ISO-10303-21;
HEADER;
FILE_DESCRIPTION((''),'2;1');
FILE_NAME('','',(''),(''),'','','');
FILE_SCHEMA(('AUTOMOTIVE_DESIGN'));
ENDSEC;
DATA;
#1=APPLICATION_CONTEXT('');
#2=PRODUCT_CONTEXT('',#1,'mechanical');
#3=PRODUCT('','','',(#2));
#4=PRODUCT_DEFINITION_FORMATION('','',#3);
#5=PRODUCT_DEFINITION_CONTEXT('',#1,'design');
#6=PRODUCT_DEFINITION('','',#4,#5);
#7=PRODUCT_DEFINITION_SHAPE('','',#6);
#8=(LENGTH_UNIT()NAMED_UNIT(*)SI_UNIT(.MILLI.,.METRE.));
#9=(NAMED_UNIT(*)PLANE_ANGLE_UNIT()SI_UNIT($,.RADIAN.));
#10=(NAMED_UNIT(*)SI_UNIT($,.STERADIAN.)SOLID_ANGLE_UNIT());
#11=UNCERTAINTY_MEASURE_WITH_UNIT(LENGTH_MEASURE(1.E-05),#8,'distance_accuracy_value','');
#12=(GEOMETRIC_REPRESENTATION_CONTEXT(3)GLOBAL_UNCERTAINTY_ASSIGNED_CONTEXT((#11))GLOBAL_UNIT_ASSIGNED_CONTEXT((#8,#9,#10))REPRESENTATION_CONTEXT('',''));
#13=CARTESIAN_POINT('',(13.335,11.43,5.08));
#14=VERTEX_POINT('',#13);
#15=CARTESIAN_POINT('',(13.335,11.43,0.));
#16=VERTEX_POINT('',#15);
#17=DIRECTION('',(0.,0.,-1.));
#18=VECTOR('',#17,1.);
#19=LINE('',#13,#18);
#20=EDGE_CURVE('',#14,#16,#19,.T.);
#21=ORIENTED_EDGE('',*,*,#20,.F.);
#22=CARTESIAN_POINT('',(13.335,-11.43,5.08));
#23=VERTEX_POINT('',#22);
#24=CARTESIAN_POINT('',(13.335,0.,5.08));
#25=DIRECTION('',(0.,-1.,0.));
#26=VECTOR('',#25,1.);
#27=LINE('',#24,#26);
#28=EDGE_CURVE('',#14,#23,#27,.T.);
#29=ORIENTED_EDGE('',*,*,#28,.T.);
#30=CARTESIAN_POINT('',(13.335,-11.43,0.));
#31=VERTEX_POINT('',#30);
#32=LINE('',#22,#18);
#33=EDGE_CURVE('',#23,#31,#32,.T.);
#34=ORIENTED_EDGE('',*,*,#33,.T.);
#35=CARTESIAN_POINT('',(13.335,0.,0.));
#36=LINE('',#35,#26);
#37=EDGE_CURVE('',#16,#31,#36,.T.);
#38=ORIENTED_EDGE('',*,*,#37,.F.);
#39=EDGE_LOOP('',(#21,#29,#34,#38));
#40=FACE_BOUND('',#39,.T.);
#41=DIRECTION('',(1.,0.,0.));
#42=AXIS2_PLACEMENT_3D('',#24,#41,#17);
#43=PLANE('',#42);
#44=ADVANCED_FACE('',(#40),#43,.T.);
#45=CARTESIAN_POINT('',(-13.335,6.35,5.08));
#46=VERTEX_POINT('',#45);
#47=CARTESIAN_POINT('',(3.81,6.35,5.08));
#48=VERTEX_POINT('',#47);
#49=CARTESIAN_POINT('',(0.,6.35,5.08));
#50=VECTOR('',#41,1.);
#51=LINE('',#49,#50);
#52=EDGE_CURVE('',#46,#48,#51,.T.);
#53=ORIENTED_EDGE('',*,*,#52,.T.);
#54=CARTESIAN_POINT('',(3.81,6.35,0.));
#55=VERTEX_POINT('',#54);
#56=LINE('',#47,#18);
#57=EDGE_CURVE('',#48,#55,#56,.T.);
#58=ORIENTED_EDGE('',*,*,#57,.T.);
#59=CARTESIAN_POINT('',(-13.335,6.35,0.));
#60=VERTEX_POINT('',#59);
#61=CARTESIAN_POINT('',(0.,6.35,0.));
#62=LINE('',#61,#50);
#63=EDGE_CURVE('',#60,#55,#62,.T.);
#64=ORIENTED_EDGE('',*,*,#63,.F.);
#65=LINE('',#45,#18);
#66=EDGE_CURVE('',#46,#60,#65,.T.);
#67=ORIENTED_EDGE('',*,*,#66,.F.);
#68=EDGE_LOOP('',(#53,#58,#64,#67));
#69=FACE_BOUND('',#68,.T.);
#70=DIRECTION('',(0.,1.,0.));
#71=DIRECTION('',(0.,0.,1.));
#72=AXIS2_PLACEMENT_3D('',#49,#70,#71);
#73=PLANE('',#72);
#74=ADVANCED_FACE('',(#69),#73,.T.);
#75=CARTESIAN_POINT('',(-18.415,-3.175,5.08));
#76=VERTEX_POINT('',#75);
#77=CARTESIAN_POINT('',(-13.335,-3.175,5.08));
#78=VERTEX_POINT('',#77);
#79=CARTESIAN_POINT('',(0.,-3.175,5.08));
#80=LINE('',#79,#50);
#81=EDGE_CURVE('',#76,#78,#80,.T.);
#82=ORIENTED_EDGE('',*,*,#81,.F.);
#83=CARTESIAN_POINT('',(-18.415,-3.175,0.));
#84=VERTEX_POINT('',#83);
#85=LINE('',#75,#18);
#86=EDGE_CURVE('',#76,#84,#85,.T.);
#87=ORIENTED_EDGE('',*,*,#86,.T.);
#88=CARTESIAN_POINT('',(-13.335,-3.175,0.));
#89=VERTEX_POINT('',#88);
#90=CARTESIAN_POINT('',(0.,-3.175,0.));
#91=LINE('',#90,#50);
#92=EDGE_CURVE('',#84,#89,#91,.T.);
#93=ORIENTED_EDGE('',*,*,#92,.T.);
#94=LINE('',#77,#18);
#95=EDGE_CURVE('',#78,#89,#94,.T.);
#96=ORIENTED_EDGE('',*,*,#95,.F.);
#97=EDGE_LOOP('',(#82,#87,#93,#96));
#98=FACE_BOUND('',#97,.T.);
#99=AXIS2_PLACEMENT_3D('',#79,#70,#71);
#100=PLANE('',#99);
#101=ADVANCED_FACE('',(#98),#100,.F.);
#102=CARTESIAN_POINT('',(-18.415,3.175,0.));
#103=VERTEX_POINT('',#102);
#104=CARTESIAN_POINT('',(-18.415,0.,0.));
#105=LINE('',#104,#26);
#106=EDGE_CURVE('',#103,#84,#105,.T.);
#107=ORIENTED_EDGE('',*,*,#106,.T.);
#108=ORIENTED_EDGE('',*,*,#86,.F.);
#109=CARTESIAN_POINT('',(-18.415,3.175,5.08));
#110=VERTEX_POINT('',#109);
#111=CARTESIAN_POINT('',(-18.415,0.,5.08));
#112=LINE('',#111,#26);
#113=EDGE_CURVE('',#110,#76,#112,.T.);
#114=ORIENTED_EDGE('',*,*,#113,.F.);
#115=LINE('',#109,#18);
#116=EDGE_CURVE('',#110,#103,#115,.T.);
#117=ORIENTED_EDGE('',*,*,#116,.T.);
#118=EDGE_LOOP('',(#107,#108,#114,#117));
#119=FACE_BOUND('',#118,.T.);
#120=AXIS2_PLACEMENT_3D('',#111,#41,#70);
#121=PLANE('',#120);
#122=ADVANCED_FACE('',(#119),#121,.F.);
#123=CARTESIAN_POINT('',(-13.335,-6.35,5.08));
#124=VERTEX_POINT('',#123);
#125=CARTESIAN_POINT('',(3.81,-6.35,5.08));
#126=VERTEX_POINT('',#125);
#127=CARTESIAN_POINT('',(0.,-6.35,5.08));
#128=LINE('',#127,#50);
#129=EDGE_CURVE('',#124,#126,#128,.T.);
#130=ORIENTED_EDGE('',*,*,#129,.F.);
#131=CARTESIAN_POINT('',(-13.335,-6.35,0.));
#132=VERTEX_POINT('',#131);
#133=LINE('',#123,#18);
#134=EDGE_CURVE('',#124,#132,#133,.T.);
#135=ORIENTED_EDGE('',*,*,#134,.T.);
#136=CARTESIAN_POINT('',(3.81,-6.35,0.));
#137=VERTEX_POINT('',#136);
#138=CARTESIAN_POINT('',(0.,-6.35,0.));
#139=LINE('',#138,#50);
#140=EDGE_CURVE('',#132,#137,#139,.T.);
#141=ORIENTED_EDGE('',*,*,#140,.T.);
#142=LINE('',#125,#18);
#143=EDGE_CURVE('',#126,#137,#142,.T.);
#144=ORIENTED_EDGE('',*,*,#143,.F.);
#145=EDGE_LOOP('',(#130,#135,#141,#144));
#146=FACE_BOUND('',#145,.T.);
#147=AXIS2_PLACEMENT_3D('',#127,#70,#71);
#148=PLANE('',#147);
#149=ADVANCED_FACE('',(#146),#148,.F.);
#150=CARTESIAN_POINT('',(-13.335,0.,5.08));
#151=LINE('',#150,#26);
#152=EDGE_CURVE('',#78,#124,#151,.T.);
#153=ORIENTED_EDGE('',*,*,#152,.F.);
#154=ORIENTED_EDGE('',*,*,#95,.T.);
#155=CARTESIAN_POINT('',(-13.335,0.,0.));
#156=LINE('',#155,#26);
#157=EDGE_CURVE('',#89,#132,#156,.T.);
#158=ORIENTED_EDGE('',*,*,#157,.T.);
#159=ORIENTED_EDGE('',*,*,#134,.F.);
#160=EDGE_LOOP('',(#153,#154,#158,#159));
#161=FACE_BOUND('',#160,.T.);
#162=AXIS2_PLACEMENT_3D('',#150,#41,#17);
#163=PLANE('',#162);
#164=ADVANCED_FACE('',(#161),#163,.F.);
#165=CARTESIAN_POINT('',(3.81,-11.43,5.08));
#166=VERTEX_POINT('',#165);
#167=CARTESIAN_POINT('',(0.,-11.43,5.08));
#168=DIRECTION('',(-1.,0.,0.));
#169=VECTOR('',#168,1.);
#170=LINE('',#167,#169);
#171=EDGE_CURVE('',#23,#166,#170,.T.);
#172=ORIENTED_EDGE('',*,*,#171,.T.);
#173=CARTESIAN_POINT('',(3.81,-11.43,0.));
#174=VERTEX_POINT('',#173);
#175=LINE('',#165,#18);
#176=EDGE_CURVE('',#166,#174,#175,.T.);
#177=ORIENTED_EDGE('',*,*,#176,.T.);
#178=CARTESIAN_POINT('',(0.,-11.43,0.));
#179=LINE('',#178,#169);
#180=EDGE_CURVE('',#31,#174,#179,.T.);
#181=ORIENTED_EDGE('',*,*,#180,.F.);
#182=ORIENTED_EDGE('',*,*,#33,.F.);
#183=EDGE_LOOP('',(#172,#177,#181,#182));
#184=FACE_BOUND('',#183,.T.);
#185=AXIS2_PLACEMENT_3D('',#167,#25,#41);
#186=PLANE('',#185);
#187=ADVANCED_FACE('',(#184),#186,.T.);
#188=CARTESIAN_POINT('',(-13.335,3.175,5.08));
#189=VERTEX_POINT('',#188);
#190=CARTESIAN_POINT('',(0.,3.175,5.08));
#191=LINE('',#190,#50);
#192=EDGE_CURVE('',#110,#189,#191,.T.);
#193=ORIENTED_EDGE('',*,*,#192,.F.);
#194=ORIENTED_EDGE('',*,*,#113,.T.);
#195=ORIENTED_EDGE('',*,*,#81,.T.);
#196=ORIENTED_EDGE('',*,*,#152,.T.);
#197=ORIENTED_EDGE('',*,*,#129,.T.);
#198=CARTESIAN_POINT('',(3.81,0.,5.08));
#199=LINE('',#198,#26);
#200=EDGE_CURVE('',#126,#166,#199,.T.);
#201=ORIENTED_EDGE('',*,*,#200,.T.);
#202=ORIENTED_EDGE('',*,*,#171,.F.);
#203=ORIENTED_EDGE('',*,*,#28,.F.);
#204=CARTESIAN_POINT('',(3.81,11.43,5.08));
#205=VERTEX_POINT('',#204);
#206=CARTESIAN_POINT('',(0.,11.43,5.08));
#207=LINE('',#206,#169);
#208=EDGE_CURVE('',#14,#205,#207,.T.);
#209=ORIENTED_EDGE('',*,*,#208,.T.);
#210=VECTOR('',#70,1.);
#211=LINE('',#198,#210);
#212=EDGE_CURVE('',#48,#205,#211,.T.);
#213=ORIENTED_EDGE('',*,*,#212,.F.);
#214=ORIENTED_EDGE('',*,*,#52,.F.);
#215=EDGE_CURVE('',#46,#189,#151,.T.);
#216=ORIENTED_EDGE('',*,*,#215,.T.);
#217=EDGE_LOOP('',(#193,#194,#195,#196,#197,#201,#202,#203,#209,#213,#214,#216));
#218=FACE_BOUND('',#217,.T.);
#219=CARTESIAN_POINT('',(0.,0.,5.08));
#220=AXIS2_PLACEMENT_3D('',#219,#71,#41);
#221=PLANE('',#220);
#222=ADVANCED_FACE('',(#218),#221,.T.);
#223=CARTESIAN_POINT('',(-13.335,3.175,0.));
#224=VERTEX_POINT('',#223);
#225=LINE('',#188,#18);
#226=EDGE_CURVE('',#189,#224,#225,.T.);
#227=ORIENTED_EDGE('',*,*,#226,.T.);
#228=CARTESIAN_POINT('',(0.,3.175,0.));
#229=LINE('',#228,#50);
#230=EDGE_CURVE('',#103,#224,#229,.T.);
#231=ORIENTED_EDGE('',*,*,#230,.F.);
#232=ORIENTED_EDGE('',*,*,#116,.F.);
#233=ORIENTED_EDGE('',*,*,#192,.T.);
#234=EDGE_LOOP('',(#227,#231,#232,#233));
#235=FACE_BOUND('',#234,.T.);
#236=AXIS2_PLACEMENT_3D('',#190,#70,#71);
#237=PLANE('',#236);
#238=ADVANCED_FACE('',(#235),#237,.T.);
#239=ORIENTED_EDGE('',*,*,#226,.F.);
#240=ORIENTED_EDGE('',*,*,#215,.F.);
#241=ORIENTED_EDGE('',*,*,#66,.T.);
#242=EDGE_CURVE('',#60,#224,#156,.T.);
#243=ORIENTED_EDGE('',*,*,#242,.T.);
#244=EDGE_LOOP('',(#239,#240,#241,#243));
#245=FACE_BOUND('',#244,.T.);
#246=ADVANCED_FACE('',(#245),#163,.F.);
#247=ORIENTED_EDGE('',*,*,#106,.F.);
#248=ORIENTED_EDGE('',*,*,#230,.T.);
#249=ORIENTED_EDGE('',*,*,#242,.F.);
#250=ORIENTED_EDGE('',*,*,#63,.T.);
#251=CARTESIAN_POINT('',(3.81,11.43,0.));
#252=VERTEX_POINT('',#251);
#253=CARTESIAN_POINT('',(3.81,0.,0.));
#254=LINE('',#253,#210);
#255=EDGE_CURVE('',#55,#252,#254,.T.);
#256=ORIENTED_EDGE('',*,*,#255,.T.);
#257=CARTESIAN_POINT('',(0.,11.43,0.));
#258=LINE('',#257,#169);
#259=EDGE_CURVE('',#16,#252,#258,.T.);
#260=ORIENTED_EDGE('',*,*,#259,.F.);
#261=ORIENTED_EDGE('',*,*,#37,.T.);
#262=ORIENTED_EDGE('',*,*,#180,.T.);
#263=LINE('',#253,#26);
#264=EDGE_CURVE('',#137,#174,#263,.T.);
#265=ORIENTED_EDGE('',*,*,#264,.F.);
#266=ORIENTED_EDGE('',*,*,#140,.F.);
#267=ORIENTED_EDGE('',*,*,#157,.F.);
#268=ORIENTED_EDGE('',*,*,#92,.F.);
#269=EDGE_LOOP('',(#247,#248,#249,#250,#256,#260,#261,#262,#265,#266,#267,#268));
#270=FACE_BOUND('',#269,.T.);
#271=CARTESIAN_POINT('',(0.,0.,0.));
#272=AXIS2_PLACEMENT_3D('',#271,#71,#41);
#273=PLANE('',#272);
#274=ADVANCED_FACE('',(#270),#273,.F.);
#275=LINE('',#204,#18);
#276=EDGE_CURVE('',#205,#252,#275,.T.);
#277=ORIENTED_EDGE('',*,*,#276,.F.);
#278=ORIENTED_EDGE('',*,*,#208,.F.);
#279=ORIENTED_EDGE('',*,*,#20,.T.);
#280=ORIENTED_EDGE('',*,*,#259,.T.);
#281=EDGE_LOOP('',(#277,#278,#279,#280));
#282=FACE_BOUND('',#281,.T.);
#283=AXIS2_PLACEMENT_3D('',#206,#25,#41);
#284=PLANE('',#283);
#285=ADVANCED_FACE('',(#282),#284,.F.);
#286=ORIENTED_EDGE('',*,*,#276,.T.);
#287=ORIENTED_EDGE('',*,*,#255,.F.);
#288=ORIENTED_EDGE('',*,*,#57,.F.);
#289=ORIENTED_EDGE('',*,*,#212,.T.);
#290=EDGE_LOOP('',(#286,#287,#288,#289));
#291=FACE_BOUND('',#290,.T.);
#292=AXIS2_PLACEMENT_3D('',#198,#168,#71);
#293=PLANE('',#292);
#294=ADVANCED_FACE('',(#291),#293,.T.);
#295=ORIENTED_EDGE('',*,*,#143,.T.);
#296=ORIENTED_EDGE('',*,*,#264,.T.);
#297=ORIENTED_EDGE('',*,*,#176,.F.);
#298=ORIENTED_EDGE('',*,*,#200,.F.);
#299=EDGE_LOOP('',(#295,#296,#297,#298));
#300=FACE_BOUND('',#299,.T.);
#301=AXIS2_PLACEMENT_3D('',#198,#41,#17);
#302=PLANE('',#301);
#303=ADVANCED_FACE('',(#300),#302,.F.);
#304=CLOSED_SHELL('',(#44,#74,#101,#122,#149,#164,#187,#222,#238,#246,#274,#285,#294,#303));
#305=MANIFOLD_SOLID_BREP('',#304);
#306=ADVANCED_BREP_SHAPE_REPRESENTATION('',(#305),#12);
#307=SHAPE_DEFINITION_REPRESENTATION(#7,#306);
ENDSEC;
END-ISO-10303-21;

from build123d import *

# Parameters (mm, degrees)
SKETCH1_W           = 5.08
SKETCH1_H           = 6.35
SKETCH1_W_2         = 26.67
SKETCH1_H_2         = 12.7
SKETCH1_W_3         = 9.525
SKETCH1_H_3         = 5.08
BOSS_EXTRUDE1_DEPTH = 5.08


with BuildPart() as part:
    # Sketch1 → Boss-Extrude1 (new body)
    with BuildSketch(Plane.XY):
        with Locations((-15.875, 0)):
            Rectangle(SKETCH1_W, SKETCH1_H)
        Rectangle(SKETCH1_W_2, SKETCH1_H_2)
        with Locations((8.5725, 8.89)):
            Rectangle(SKETCH1_W_3, SKETCH1_H_3)
        with Locations((8.5725, -8.89)):
            Rectangle(SKETCH1_W_3, SKETCH1_H_3)
    extrude(amount=BOSS_EXTRUDE1_DEPTH)


solid = part.part
